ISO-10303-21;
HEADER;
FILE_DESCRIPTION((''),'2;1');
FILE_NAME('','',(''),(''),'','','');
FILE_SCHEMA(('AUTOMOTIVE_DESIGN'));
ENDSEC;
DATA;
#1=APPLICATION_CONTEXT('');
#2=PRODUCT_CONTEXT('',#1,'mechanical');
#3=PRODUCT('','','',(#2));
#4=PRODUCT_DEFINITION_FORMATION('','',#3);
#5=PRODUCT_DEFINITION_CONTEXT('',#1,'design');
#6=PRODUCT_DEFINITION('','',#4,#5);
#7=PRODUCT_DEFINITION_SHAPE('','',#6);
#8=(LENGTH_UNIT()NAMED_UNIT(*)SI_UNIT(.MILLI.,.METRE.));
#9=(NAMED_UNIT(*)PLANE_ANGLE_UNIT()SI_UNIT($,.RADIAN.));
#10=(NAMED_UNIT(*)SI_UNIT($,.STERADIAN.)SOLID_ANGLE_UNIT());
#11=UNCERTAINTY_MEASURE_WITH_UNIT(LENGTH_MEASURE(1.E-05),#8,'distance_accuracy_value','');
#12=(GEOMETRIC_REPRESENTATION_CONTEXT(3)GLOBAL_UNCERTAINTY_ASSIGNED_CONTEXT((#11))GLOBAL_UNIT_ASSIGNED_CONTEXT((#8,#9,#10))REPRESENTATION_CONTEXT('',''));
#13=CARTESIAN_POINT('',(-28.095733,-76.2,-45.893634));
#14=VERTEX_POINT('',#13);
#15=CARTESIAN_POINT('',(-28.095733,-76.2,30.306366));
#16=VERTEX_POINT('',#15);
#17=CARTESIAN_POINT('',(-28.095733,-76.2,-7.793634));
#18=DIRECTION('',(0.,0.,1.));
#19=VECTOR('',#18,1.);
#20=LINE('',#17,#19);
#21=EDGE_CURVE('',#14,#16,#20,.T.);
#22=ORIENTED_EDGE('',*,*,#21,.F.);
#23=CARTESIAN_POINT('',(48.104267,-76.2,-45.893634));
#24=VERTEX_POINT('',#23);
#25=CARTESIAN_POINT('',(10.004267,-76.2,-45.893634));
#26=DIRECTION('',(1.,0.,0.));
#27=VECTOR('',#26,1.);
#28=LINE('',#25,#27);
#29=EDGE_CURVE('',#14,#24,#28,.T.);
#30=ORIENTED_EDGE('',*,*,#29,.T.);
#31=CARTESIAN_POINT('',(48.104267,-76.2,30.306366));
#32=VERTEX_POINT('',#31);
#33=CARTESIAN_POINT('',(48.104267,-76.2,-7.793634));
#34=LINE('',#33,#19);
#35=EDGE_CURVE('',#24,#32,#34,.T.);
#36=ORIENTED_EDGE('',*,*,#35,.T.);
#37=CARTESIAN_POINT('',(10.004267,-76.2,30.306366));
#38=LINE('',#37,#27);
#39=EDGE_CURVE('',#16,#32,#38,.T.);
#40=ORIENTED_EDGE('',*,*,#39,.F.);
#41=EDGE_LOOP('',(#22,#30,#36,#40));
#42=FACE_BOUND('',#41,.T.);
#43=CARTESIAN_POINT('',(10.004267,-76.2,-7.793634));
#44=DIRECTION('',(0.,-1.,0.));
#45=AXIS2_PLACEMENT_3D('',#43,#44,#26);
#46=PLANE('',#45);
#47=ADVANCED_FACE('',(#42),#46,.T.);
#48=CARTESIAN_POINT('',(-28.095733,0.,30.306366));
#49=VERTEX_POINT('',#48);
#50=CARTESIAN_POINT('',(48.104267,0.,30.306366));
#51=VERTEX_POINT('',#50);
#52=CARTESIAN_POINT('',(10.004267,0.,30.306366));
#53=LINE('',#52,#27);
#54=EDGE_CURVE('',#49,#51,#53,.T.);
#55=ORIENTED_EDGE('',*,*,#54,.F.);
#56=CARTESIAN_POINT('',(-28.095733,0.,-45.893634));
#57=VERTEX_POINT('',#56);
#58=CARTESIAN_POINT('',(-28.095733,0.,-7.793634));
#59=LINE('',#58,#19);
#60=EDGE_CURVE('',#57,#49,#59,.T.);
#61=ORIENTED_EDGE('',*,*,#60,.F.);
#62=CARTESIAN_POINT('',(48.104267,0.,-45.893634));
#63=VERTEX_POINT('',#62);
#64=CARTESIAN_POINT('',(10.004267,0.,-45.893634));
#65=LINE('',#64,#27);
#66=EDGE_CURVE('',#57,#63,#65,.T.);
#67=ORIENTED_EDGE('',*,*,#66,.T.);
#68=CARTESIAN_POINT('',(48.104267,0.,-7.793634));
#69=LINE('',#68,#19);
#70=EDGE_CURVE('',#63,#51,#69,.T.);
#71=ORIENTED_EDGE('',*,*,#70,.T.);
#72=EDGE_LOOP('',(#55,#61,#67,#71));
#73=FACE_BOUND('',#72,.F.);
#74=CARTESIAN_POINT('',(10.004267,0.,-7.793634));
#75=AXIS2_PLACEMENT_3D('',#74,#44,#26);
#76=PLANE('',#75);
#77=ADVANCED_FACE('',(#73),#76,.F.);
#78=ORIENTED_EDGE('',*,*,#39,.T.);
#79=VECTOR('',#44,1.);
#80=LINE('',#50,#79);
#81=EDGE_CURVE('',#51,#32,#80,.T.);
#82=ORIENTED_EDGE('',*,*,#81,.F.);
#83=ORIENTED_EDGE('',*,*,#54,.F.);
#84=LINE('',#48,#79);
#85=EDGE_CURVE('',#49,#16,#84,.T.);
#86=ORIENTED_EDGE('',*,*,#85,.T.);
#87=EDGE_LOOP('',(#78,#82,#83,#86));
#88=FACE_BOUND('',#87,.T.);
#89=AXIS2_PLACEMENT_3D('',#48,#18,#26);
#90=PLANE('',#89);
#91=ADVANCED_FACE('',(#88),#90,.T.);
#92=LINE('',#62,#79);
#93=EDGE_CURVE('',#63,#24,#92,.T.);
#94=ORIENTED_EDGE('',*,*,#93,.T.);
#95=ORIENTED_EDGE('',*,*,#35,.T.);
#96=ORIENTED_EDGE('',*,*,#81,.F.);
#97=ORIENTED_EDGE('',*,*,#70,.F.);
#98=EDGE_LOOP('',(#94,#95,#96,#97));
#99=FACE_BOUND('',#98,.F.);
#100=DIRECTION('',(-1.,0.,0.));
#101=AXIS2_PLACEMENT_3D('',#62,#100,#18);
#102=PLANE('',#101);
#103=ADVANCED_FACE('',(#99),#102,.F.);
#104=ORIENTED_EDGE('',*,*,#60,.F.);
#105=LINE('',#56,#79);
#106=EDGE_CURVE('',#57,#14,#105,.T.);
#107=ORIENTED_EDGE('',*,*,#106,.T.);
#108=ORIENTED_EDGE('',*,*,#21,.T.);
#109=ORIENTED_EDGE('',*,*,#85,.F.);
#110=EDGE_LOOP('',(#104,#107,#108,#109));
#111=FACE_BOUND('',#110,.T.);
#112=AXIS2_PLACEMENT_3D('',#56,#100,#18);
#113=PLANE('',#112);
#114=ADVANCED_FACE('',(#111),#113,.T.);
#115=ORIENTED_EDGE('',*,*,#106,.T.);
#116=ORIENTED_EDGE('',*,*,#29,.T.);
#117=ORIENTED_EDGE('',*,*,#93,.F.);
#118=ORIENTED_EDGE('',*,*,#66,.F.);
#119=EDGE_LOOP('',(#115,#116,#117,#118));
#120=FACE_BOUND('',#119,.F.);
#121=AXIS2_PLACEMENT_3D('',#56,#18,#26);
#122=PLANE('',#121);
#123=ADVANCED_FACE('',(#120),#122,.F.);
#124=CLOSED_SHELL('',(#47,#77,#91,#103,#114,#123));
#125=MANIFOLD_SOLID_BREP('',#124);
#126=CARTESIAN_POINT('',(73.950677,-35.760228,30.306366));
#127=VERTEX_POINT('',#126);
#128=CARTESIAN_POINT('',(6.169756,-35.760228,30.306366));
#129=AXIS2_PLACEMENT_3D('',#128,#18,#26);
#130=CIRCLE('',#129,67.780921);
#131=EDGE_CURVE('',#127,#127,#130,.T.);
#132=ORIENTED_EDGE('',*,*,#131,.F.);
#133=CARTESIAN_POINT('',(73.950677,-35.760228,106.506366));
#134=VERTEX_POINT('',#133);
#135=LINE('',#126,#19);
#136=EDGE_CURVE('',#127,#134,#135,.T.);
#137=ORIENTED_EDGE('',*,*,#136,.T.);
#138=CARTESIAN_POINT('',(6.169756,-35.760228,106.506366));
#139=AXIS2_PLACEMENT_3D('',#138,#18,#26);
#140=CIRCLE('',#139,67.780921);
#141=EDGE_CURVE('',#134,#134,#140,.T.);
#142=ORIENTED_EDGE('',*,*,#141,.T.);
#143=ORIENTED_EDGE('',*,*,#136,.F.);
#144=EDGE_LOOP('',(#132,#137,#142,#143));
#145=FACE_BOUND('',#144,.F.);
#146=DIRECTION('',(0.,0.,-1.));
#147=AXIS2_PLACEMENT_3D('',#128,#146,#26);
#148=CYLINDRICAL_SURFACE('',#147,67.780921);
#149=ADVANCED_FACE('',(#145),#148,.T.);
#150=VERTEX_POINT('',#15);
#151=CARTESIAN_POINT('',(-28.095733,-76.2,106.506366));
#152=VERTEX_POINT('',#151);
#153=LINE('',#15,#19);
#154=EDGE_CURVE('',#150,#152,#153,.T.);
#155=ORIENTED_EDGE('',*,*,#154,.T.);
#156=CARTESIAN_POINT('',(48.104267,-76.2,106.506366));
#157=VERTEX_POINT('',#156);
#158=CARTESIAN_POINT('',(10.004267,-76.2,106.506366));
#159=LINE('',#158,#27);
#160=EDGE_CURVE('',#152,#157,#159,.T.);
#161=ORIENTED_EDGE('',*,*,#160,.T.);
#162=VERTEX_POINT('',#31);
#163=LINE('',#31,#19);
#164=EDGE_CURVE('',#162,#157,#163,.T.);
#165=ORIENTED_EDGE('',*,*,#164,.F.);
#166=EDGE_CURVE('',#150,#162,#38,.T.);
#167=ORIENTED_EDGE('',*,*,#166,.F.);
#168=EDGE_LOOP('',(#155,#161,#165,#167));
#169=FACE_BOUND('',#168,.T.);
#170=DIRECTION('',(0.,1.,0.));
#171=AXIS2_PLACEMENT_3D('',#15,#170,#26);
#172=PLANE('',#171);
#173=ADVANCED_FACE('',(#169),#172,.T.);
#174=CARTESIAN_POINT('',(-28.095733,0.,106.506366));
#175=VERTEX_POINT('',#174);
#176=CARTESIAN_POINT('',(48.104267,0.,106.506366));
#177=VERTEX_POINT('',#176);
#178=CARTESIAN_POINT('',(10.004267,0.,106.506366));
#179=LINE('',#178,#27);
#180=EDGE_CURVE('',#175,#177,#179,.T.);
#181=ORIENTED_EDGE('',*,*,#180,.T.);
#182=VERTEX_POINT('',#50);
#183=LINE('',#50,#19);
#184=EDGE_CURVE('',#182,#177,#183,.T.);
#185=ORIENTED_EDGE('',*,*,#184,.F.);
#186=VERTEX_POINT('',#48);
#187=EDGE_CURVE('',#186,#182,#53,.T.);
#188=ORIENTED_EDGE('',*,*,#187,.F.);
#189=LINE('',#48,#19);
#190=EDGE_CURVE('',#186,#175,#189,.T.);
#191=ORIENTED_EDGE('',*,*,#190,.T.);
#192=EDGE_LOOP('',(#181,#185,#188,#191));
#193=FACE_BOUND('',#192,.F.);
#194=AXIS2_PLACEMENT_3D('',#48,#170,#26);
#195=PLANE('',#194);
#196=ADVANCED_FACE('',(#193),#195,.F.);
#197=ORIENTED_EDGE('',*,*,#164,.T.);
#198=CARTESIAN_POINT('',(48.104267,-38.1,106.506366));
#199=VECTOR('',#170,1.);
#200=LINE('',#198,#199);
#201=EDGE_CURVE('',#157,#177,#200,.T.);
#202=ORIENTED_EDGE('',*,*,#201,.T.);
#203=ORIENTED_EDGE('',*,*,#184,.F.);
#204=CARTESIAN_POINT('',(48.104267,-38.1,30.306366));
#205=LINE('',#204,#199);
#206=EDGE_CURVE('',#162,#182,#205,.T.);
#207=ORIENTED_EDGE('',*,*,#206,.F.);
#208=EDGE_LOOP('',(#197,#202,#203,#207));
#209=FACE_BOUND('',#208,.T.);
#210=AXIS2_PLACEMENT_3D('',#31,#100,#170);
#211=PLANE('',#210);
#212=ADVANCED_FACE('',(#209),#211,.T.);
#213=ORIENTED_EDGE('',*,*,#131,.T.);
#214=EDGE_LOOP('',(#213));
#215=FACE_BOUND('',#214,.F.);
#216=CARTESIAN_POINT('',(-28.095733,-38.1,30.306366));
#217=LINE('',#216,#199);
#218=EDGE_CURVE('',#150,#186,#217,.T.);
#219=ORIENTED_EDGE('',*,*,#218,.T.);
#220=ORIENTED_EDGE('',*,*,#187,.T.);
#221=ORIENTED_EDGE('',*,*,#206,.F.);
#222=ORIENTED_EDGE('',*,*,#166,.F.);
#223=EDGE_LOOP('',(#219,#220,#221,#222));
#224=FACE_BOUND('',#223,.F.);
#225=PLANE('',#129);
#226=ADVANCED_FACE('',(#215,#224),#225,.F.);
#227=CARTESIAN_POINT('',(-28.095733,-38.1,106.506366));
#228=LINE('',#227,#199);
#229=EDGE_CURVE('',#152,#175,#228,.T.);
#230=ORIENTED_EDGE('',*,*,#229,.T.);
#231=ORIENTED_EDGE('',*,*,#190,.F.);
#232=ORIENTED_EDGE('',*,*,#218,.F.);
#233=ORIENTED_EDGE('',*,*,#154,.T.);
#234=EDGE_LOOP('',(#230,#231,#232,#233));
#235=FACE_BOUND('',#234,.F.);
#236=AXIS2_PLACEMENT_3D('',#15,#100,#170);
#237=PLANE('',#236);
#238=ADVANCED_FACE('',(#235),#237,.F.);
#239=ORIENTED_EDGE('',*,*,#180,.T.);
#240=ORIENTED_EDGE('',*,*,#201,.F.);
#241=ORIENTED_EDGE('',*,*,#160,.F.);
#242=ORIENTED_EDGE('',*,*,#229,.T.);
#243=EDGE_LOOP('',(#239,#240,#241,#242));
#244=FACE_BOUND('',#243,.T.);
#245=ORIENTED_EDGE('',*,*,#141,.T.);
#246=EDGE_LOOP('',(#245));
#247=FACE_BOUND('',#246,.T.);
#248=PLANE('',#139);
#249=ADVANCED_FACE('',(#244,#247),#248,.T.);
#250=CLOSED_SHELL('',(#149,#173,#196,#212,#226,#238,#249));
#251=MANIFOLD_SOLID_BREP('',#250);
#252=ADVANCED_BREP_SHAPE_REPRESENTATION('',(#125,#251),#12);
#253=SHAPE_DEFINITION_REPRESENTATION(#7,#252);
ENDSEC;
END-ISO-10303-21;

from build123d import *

# Parameters (mm, degrees)
F0_W     = 76.2
F0_H     = 76.2
F1_DEPTH = 76.2
F2_R     = 67.780921
F2_W     = 76.2
F2_H     = 76.2
F3_DEPTH = 76.2


with BuildPart() as f1:
    # F0 (on Front) → F1 (new body)
    with BuildSketch(Plane.XZ):
        with Locations((10.004267, -7.793634)):
            Rectangle(F0_W, F0_H)
    extrude(amount=F1_DEPTH)


with BuildPart() as f3:
    # F2 (on face) → F3 (new body)
    with BuildSketch(Plane.XY.offset(30.306366)):
        with Locations((6.169756, -35.760228)):
            Circle(F2_R)
        with Locations((10.004267, -38.1)):
            Rectangle(F2_W, F2_H, mode=Mode.SUBTRACT)
    extrude(amount=F3_DEPTH)


solid = Compound([f1.part, f3.part])
